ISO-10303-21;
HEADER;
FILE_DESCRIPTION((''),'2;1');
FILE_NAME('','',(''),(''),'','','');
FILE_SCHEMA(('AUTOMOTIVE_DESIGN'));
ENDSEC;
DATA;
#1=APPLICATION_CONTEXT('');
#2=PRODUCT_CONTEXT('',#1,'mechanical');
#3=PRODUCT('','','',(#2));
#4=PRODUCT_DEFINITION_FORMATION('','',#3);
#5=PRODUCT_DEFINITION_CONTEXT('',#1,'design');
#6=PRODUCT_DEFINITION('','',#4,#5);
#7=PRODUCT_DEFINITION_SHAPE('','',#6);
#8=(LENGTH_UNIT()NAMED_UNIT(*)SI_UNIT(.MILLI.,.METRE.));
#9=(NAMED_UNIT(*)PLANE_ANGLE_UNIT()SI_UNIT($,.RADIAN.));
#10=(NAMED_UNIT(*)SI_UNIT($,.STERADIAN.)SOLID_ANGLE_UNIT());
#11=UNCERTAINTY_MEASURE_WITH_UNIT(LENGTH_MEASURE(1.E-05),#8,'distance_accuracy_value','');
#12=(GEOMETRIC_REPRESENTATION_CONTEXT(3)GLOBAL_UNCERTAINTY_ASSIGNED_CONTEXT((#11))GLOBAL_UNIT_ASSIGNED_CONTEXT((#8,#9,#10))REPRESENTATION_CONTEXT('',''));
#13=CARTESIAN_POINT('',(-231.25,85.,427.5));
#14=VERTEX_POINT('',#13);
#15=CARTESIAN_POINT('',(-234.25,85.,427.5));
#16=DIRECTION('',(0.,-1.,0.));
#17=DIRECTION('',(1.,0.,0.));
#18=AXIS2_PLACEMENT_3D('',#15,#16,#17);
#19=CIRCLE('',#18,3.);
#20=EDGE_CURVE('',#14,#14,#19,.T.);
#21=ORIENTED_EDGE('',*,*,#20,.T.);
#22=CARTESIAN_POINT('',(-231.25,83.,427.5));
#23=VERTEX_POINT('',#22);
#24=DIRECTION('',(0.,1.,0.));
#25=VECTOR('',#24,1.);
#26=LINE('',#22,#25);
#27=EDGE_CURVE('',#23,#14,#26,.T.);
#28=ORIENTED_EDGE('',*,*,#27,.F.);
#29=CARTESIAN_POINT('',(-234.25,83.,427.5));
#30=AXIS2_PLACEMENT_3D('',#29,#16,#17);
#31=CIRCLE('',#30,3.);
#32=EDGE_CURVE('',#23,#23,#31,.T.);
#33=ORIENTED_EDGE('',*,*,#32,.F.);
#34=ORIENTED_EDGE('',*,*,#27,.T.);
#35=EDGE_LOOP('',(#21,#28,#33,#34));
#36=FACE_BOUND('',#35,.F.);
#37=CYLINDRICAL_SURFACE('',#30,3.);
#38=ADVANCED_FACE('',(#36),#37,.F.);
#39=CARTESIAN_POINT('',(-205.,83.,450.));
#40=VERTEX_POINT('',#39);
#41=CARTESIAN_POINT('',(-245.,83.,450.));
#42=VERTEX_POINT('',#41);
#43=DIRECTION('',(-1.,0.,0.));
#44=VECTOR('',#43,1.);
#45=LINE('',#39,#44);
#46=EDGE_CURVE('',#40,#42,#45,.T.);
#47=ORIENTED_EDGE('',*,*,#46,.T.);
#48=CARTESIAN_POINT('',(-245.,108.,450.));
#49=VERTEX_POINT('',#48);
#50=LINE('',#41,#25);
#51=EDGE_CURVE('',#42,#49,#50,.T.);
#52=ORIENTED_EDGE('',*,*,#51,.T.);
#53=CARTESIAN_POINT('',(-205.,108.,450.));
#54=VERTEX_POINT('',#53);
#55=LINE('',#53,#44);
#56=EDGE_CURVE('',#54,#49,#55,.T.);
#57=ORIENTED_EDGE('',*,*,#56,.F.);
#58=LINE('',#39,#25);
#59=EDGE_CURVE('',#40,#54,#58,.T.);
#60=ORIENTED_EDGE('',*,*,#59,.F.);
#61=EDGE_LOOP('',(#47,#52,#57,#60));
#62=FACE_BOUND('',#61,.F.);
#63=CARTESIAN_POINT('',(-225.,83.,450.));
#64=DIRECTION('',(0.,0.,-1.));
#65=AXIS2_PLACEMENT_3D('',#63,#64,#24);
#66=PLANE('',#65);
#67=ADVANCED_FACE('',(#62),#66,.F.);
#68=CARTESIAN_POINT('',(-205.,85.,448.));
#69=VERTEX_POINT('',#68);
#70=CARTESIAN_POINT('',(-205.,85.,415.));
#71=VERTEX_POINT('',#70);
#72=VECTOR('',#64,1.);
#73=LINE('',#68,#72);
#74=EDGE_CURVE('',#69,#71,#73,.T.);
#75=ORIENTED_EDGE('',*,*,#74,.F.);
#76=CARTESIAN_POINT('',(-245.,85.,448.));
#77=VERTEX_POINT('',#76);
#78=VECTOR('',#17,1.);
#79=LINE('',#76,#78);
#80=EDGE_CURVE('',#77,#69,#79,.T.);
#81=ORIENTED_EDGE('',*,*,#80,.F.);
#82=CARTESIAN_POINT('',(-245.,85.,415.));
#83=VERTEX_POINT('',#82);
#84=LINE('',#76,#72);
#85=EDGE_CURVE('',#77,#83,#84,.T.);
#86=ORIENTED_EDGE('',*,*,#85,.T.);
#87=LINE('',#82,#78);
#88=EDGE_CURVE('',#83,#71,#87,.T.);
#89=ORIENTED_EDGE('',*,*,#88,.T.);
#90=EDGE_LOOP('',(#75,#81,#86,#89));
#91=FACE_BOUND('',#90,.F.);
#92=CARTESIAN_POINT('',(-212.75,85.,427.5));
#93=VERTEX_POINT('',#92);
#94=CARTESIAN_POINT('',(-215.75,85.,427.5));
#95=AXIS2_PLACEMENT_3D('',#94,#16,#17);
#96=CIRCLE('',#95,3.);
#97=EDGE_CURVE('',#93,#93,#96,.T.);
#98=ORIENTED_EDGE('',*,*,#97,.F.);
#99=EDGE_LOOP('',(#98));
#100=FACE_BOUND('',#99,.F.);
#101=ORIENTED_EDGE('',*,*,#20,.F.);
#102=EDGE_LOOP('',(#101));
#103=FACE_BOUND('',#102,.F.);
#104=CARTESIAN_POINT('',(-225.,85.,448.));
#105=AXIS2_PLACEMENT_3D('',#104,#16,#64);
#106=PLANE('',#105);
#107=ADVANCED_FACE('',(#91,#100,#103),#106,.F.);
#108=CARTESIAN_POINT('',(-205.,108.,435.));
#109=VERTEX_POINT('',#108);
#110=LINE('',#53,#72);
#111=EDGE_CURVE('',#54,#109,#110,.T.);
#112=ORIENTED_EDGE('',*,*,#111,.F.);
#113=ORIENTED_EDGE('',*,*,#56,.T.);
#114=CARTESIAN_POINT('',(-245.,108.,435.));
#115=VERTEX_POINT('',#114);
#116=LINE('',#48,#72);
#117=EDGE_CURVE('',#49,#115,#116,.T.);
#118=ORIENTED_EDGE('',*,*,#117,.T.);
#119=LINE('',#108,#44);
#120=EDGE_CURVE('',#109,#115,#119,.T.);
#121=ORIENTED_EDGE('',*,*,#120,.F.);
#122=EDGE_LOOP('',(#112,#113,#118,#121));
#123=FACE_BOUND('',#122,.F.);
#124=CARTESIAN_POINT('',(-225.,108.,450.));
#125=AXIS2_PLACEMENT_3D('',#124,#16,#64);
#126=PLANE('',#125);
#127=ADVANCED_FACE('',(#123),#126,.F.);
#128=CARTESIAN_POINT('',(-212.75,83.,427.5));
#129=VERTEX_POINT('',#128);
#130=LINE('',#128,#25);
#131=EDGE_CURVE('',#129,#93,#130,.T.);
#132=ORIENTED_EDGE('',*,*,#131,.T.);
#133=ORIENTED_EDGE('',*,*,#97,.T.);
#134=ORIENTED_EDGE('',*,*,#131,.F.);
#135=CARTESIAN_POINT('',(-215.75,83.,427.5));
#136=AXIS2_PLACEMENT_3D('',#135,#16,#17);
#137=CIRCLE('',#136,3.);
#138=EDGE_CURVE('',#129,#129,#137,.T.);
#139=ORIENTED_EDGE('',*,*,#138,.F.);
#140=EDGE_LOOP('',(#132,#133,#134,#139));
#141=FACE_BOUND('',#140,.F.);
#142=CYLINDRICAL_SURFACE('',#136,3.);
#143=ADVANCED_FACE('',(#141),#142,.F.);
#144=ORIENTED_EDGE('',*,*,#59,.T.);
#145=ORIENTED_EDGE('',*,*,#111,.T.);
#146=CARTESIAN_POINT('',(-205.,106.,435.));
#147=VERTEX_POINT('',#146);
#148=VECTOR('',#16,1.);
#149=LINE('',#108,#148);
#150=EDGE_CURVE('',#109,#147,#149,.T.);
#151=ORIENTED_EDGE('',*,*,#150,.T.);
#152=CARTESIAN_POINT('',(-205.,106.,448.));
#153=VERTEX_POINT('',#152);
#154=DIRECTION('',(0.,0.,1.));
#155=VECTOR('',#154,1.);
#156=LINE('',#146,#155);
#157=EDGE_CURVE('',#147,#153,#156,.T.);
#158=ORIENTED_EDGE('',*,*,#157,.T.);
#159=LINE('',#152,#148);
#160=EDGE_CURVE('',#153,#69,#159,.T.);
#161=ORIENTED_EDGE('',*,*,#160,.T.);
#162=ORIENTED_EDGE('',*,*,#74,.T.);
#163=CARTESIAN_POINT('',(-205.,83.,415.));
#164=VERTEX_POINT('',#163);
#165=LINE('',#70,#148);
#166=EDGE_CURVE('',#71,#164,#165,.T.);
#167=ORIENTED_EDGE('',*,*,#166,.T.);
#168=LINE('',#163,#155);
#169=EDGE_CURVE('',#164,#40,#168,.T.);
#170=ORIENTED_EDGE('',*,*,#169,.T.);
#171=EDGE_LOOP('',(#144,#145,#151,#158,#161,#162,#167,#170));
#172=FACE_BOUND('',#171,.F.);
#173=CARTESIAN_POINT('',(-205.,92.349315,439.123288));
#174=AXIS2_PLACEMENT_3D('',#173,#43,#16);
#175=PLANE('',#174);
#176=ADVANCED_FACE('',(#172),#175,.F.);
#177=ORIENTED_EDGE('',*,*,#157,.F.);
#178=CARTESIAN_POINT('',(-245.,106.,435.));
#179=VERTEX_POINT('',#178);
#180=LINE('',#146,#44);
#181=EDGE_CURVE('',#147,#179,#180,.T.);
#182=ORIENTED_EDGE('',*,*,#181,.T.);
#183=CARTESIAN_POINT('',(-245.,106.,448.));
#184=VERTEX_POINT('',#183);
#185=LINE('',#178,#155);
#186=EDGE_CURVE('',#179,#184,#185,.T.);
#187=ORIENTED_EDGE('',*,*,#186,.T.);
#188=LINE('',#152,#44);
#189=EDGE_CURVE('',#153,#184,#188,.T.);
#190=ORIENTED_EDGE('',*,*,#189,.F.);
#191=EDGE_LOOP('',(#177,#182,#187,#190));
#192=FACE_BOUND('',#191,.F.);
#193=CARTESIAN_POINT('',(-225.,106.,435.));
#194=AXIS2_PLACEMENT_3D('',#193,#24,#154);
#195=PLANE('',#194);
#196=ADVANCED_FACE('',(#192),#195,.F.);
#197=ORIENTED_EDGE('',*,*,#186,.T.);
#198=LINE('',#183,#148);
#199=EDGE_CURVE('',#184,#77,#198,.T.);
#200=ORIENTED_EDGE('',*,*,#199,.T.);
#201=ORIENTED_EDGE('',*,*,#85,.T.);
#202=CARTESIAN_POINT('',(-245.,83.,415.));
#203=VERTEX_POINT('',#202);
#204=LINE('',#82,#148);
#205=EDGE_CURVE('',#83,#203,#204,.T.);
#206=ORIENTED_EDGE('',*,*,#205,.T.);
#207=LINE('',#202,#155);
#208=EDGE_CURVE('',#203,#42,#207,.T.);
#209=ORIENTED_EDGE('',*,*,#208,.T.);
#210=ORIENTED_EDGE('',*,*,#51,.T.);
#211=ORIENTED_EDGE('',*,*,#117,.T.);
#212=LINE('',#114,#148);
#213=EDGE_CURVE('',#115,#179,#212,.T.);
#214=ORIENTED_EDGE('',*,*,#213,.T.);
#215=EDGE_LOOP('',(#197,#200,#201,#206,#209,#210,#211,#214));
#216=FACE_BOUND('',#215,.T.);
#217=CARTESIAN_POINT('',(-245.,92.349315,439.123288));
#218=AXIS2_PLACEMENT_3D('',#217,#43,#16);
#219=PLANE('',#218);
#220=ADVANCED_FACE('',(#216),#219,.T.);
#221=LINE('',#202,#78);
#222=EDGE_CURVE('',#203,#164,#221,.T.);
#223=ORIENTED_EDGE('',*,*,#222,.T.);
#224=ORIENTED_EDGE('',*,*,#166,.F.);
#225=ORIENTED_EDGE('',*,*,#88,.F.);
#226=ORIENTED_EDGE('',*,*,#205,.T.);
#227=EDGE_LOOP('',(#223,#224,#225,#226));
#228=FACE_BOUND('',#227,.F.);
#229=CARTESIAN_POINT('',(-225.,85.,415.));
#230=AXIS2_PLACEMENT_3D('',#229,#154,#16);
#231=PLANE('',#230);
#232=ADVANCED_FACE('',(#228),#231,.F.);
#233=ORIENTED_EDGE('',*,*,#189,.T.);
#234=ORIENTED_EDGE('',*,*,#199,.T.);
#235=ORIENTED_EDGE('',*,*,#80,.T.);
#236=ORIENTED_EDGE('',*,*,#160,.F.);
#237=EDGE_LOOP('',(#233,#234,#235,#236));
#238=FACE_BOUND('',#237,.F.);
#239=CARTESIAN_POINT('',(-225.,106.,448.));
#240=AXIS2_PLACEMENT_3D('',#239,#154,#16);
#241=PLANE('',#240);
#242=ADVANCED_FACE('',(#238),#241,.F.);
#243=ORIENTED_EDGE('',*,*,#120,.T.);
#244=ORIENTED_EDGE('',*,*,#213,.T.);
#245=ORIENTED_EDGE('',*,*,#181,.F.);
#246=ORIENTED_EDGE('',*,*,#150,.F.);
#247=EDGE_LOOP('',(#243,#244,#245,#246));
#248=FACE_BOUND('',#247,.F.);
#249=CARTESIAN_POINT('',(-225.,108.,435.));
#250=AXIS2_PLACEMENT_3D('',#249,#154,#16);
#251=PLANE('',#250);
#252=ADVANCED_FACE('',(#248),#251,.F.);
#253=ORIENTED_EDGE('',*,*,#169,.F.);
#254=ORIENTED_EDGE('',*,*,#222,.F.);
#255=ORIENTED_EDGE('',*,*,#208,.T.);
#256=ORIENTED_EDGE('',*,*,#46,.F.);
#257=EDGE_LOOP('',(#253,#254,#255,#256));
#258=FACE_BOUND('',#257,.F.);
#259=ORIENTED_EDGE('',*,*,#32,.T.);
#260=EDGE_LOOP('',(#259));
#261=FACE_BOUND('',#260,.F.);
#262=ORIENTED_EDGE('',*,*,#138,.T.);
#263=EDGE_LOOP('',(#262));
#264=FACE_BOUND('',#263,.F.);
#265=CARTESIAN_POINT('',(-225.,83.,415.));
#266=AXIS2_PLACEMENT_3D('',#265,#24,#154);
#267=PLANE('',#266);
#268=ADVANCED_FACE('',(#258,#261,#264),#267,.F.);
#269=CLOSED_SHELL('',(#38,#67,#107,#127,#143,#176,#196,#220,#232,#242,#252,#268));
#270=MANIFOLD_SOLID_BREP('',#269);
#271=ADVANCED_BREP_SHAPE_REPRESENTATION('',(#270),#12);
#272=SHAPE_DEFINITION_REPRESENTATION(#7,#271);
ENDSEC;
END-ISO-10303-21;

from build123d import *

# Parameters (mm, degrees)
PAD004_DEPTH = 20
SKETCH013_R  = 3
HOLE_DEPTH   = 25
HOLE_TIPS_R  = 3


with BuildPart() as part:
    # Sketch014 → Pad004 (new body, symmetric)
    with BuildSketch(Plane.YZ):
        Polygon((0, -35), (0, 0), (25, 0), (25, -15), (23, -15), (23, -2), (2, -2), (2, -35), align=None)
    extrude(amount=PAD004_DEPTH, both=True)

    # Sketch013 → Hole (cut)
    with BuildSketch(Plane.XZ):
        with Locations((-9.25, -22.5)):
            Circle(SKETCH013_R)
        with Locations((9.25, -22.5)):
            Circle(SKETCH013_R)
    extrude(amount=-HOLE_DEPTH, mode=Mode.SUBTRACT)

    # Hole tips → Hole tip 1 section 0
    with BuildSketch(Plane.XZ.offset(-25), mode=Mode.PRIVATE) as hole_tip_1_s0:
        with Locations((-9.25, -22.5)):
            Circle(HOLE_TIPS_R)
    loft([hole_tip_1_s0.sketch, Vertex(-9.25, 26.802582, -22.5)], mode=Mode.SUBTRACT)

    # Hole tips → Hole tip 2 section 0
    with BuildSketch(Plane.XZ.offset(-25), mode=Mode.PRIVATE) as hole_tip_2_s0:
        with Locations((9.25, -22.5)):
            Circle(HOLE_TIPS_R)
    loft([hole_tip_2_s0.sketch, Vertex(9.25, 26.802582, -22.5)], mode=Mode.SUBTRACT)


with BuildPart() as part_1:
    # Body009 placement: moved
    add(part.part.moved(Location((0, 83, 0))))


with BuildPart() as part_2:
    # Clone008 placement: moved
    add(part_1.part.moved(Location((0, -83, 0))))


with BuildPart() as part_3:
    # Body011 placement: moved
    add(part_2.part.moved(Location((-225, 83, 450))))


solid = part_3.part
